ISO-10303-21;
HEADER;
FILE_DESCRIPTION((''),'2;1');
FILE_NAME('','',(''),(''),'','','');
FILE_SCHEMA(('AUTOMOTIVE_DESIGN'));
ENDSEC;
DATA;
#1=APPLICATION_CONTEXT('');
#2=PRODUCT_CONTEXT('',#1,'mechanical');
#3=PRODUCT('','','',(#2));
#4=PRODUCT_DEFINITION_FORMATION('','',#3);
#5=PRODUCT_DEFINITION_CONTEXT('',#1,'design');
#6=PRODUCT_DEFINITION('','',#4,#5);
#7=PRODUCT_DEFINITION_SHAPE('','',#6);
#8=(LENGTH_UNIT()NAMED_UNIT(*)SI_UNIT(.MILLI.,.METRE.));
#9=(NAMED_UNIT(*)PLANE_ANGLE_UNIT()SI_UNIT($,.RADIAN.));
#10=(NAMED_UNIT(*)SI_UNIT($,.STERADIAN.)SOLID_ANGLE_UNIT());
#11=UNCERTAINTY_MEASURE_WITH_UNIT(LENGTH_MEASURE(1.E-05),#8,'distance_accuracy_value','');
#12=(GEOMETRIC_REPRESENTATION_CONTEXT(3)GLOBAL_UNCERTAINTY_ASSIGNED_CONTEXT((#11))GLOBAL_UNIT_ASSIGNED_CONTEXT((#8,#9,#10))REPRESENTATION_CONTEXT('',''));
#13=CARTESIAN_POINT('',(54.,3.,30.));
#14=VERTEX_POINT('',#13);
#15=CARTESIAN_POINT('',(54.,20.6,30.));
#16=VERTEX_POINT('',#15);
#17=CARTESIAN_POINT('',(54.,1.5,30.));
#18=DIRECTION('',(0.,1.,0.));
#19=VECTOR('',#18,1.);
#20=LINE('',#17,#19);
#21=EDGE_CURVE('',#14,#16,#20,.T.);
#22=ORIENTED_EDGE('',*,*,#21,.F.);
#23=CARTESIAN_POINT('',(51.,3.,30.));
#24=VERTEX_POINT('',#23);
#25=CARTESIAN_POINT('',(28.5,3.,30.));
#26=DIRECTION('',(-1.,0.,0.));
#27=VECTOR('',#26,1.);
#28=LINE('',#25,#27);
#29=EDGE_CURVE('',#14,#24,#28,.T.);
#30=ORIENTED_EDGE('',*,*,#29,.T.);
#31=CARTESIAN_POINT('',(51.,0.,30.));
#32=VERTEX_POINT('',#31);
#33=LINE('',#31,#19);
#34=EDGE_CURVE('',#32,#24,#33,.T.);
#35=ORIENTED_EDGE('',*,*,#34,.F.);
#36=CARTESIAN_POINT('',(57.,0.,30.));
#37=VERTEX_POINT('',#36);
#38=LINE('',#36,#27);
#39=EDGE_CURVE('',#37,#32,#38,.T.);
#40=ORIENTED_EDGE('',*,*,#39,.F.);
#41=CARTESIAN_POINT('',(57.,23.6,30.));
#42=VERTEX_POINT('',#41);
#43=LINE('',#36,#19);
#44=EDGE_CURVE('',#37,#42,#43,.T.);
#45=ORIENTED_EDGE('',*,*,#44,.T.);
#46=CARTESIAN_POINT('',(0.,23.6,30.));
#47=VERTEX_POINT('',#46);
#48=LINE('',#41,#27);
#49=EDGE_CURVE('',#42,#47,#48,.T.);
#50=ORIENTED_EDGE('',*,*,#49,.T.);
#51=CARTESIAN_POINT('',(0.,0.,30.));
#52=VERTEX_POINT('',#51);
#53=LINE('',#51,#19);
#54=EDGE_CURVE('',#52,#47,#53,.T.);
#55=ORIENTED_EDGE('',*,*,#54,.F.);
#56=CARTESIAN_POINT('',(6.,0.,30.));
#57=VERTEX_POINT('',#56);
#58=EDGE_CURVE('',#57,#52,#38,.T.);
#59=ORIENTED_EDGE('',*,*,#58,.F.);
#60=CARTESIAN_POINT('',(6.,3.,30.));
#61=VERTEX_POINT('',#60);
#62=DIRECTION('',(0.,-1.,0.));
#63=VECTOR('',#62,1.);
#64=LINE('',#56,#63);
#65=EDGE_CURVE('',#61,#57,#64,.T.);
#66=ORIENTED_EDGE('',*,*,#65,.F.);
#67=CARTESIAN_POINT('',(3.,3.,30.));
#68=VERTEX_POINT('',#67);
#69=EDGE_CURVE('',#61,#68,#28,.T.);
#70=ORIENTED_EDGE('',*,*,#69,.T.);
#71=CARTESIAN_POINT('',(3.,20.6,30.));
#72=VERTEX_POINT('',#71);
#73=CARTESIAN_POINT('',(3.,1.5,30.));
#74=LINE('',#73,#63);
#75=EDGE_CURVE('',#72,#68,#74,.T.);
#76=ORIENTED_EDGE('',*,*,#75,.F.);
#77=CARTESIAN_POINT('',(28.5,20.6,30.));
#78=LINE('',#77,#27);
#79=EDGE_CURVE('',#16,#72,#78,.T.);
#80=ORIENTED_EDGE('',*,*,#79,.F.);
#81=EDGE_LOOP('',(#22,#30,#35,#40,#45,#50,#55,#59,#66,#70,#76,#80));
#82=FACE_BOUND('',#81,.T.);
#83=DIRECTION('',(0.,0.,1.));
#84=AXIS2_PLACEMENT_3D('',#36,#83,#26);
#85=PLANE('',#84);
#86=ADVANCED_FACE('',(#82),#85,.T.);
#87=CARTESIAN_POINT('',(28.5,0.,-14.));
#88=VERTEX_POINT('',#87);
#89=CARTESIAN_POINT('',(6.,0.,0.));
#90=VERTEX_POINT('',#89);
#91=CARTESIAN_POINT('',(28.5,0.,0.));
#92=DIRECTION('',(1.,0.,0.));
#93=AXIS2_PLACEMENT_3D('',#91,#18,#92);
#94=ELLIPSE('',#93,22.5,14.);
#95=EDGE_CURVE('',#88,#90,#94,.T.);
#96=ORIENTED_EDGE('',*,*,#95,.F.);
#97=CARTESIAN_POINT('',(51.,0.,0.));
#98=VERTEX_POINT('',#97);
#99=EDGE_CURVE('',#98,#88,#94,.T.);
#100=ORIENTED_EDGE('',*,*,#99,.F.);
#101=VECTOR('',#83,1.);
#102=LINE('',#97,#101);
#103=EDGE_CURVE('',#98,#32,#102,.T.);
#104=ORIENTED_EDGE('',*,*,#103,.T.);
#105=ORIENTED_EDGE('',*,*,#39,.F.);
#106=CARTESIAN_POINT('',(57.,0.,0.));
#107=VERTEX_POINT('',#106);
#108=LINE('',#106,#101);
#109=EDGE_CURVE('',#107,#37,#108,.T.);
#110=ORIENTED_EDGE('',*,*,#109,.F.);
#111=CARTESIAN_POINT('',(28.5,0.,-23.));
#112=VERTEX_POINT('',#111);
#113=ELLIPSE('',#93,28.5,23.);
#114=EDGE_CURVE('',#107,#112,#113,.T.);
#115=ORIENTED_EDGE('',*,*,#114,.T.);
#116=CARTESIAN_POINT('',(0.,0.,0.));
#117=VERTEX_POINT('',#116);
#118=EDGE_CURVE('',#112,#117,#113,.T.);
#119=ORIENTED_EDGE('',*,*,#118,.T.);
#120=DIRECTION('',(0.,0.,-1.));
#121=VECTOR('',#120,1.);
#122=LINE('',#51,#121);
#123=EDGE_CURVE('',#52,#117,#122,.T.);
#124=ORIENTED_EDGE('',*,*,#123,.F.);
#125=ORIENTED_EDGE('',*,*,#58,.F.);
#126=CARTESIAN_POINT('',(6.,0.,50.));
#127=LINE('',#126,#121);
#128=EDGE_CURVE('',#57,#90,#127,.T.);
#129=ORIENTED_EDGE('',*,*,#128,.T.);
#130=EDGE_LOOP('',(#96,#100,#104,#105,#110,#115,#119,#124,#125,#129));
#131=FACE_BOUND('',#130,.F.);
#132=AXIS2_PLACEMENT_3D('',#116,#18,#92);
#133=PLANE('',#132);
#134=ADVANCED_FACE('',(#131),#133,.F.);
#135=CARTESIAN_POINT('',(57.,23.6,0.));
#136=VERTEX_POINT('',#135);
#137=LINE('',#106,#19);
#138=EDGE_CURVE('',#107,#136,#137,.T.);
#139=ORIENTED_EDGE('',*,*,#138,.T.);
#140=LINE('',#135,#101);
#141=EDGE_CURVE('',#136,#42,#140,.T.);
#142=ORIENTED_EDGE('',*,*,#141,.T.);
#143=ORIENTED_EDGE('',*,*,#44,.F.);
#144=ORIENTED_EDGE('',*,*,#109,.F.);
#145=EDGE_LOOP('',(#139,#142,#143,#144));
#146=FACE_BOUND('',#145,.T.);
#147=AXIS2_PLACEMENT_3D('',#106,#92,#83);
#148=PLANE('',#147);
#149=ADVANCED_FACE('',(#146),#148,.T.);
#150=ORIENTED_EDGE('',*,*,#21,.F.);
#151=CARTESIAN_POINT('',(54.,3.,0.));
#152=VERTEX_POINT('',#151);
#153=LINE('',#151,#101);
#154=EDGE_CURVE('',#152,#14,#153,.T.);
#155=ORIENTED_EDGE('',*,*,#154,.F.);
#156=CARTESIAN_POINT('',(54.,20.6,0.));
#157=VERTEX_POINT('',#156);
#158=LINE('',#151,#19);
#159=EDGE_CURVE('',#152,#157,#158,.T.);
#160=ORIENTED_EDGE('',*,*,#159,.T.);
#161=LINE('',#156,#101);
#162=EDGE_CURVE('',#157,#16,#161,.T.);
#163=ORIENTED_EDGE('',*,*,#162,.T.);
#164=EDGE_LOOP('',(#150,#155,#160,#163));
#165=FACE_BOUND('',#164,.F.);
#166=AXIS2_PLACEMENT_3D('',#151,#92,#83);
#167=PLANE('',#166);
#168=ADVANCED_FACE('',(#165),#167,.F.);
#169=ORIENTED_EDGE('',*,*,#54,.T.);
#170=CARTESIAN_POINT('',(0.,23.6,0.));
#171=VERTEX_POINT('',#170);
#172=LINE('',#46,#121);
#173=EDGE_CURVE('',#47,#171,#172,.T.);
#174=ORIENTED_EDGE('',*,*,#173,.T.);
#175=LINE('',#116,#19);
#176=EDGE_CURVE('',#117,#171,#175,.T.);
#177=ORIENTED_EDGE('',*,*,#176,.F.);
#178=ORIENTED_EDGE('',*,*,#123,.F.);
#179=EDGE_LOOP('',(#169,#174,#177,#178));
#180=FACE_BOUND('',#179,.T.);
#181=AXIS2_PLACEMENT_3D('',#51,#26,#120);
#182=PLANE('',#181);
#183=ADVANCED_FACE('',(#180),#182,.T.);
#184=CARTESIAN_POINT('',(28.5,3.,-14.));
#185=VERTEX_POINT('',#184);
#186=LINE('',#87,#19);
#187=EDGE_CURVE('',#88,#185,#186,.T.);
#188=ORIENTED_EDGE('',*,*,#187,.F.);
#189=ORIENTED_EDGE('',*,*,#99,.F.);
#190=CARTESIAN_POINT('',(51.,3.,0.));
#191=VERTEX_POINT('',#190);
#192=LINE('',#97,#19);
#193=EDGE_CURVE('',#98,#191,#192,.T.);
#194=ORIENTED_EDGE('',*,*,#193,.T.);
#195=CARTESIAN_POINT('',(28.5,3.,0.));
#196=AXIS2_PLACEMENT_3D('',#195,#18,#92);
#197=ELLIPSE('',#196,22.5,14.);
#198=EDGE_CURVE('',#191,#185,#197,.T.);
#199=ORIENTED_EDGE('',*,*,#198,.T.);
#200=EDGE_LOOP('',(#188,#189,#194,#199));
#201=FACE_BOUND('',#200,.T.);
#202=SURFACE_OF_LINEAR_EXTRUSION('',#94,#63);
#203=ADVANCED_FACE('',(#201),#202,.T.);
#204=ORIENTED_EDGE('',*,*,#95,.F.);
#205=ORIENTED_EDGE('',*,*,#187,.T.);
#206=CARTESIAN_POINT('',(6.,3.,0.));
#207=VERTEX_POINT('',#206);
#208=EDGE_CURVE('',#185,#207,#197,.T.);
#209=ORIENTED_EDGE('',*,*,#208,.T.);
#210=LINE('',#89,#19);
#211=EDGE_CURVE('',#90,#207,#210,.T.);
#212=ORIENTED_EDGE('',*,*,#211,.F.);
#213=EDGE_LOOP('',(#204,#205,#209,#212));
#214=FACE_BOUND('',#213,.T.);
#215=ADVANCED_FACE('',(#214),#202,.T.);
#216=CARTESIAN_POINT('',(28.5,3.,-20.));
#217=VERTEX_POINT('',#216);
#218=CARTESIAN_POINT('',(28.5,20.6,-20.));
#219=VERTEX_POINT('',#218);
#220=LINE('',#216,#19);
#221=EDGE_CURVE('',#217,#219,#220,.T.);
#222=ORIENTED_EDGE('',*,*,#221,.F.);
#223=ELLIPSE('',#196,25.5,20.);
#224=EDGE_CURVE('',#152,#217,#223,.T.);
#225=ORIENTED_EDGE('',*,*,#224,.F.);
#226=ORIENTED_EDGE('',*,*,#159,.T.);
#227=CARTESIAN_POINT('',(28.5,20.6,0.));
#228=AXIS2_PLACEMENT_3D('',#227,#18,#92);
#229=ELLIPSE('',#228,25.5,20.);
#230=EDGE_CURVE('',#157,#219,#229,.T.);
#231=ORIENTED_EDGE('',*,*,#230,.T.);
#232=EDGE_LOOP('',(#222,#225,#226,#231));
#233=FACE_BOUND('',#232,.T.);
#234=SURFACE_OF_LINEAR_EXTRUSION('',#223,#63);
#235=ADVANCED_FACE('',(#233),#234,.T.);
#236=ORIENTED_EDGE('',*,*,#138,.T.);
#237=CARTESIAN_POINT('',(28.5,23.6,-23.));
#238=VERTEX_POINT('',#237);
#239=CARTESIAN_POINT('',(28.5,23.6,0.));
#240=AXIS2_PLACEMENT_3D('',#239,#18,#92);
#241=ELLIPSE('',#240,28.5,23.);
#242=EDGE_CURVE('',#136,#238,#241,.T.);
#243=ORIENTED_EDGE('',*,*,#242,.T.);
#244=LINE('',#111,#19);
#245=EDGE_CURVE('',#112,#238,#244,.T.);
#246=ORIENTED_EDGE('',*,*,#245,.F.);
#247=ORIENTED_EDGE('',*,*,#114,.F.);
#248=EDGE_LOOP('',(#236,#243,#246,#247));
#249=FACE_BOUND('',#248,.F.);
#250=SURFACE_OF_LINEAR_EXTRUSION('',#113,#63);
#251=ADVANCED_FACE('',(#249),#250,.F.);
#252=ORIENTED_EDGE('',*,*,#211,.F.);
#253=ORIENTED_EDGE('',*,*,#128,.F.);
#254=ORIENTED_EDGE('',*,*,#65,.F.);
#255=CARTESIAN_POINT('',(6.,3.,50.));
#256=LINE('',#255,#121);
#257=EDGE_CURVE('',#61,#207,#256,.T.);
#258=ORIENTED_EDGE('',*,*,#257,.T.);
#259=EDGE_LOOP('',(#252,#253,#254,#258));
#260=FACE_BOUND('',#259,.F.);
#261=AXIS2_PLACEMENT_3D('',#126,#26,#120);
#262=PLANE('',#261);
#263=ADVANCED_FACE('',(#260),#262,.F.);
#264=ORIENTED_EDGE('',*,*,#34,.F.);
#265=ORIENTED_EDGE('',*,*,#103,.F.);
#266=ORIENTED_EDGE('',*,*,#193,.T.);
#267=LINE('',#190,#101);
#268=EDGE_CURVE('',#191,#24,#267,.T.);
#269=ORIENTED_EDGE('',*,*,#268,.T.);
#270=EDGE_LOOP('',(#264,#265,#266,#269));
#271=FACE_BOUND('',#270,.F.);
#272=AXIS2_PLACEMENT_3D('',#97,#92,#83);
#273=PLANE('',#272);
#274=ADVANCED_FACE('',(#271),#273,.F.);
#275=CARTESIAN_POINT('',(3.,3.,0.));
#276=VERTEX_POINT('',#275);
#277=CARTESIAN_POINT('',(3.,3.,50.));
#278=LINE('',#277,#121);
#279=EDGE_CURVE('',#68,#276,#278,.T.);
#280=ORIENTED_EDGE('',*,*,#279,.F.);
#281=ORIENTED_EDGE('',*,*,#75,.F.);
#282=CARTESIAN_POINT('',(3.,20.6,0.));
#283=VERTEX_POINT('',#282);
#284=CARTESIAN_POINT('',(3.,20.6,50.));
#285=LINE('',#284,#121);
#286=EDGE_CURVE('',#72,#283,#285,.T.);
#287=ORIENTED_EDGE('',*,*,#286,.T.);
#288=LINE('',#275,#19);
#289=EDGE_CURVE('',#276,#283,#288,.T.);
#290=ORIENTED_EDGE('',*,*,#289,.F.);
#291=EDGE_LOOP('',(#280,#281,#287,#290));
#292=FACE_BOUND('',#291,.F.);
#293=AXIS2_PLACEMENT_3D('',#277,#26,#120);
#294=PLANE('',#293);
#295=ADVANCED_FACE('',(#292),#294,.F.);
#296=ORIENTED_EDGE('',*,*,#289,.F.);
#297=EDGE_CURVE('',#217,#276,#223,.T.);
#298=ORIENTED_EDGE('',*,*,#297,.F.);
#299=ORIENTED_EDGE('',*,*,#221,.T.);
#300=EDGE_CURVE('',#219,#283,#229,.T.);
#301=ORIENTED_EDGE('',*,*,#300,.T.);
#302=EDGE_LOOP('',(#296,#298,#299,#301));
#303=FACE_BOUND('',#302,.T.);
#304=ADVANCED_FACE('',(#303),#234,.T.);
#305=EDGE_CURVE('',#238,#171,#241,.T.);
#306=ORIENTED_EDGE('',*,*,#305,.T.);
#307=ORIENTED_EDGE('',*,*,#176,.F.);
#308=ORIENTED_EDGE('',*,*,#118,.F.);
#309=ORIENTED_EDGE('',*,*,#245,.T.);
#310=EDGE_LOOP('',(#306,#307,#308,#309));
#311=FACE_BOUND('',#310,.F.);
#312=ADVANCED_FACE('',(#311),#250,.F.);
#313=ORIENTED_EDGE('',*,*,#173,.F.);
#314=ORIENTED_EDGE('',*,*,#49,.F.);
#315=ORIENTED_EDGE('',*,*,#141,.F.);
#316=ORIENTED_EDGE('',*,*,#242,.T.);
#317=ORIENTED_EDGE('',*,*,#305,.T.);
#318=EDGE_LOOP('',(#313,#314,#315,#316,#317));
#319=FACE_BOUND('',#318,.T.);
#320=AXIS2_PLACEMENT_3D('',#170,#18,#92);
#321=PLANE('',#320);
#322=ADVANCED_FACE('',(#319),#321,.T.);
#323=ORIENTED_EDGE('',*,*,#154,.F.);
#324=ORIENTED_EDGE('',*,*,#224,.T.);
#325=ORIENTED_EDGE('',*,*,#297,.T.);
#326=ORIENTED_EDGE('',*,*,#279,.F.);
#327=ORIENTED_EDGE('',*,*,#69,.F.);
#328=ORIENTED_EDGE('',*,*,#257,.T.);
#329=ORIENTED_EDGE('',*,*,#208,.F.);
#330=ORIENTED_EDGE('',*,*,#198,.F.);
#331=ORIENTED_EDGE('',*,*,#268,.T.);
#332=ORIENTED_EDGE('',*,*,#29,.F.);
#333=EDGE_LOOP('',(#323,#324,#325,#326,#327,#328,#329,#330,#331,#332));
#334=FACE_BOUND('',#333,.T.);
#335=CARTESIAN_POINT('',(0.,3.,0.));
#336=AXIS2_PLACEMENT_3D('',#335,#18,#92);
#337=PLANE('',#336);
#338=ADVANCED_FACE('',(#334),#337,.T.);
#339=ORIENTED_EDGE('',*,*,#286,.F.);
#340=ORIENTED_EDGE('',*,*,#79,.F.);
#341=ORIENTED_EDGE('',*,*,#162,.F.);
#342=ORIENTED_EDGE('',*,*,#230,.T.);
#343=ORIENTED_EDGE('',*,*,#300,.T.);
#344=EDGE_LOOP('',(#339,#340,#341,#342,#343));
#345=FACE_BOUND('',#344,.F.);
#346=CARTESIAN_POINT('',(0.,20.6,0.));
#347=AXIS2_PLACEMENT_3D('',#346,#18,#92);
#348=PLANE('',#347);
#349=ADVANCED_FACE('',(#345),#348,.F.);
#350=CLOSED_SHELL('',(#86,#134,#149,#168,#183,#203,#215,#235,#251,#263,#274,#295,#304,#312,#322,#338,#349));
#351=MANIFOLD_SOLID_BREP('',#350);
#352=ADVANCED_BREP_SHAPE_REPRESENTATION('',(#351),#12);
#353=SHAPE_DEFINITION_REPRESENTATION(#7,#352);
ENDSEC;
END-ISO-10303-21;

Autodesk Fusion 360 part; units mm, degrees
sketch "out" plane through (0, 0, 0) normal (0, 1, 0) x (1, 0, 0)
  line L0 (0, 0) -> (57, 0)
  line L1 (57, 0) -> (57, -30)
  line L2 (57, -30) -> (0, -30)
  line L3 (0, -30) -> (0, 0)
  line L4 (0, 0) -> (57, 0) construction
  line L5 (57, 0) -> (57, 23) construction
  line L6 (57, 23) -> (0, 23) construction
  line L7 (0, 23) -> (0, 0) construction
  ellipse E0 centre (28.5, 0) end of major axis (57, 0) minor radius 23
  line L8 (0, 0) -> (57, 0)
  line L9 (28.5, -23) -> (28.5, 23)
  point P0 (28.5, 0)
  dimension "d25" = 57
  dimension "d26" = 30
  dimension "d27" = 57
  dimension "d28" = 23
  dimension "d29" = 46
extrude "Extrude4" add sketch "out" along normal blind 23.6
ref_plane "WorkPlane2" through (0, 3, 0) normal (0, 1, 0) x (0, 0, 1)
sketch "inner" plane through (0, 3, 0) normal (0, 1, 0) x (1, 0, 0)
  line L0 (0, 0) -> (3, 0) construction
  line L1 (3, 0) -> (54, 0)
  line L2 (54, 0) -> (54, -50)
  line L3 (54, -50) -> (3, -50)
  line L4 (3, -50) -> (3, 0)
  line L5 (3, 0) -> (54, 0) construction
  line L6 (54, 0) -> (54, 20) construction
  line L7 (54, 20) -> (3, 20) construction
  line L8 (3, 20) -> (3, 0) construction
  ellipse E0 centre (28.5, 0) end of major axis (54, 0) minor radius 20
  line L9 (3, 0) -> (54, 0)
  line L10 (28.5, -20) -> (28.5, 20)
  point P0 (28.5, 0)
  dimension "d33" = 3
  dimension "d34" = 51
  dimension "d35" = 50
  dimension "d36" = 51
  dimension "d37" = 20
extrude "Extrude5" cut sketch "inner" along normal blind 17.6
sketch "Sketch7" plane through (0, 0, 0) normal (0, 1, 0) x (1, 0, 0)
  line L0 (0, 0) -> (6, 0) construction
  line L1 (6, 0) -> (51, 0)
  line L2 (51, 0) -> (51, -50)
  line L3 (51, -50) -> (6, -50)
  line L4 (6, -50) -> (6, 0)
  line L5 (6, 0) -> (51, 0) construction
  line L6 (51, 0) -> (51, 14) construction
  line L7 (51, 14) -> (6, 14) construction
  line L8 (6, 14) -> (6, 0) construction
  ellipse E0 centre (28.5, 0) end of major axis (51, 0) minor radius 14
  line L9 (6, 0) -> (51, 0)
  line L10 (28.5, -14) -> (28.5, 14)
  point P0 (28.5, 0)
  dimension "d40" = 6
  dimension "d41" = 45
  dimension "d42" = 50
  dimension "d43" = 45
  dimension "d44" = 14
extrude "Extrude6" cut sketch "Sketch7" along normal blind 3
equation "height = 50 mm"
equation "thickness = 3 mm"
equation "roundDiameter = 40 mm"
equation "inner = 17.6 mm"
equation "width = 51 mm"
equation "d25 = width + ( 2 * thickness )"
equation "d26 = height - ( roundDiameter / 2 )"
equation "d27 = width + ( 2 * thickness )"
equation "d28 = ( roundDiameter / 2 ) + thickness"
equation "d29 = roundDiameter + ( thickness * 2 )"
equation "d30 = inner + ( 2 * thickness )"
equation "d32 = thickness"
equation "d33 = thickness"
equation "d34 = width"
equation "d35 = height"
equation "d36 = width"
equation "d37 = roundDiameter / 2"
equation "d38 = inner"
equation "d40 = thickness * 2"
equation "d41 = width - ( 2 * thickness )"
equation "d42 = height"
equation "d43 = width - ( 2 * thickness )"
equation "d44 = roundDiameter / 2 - ( 2 * thickness )"
equation "d45 = thickness"
